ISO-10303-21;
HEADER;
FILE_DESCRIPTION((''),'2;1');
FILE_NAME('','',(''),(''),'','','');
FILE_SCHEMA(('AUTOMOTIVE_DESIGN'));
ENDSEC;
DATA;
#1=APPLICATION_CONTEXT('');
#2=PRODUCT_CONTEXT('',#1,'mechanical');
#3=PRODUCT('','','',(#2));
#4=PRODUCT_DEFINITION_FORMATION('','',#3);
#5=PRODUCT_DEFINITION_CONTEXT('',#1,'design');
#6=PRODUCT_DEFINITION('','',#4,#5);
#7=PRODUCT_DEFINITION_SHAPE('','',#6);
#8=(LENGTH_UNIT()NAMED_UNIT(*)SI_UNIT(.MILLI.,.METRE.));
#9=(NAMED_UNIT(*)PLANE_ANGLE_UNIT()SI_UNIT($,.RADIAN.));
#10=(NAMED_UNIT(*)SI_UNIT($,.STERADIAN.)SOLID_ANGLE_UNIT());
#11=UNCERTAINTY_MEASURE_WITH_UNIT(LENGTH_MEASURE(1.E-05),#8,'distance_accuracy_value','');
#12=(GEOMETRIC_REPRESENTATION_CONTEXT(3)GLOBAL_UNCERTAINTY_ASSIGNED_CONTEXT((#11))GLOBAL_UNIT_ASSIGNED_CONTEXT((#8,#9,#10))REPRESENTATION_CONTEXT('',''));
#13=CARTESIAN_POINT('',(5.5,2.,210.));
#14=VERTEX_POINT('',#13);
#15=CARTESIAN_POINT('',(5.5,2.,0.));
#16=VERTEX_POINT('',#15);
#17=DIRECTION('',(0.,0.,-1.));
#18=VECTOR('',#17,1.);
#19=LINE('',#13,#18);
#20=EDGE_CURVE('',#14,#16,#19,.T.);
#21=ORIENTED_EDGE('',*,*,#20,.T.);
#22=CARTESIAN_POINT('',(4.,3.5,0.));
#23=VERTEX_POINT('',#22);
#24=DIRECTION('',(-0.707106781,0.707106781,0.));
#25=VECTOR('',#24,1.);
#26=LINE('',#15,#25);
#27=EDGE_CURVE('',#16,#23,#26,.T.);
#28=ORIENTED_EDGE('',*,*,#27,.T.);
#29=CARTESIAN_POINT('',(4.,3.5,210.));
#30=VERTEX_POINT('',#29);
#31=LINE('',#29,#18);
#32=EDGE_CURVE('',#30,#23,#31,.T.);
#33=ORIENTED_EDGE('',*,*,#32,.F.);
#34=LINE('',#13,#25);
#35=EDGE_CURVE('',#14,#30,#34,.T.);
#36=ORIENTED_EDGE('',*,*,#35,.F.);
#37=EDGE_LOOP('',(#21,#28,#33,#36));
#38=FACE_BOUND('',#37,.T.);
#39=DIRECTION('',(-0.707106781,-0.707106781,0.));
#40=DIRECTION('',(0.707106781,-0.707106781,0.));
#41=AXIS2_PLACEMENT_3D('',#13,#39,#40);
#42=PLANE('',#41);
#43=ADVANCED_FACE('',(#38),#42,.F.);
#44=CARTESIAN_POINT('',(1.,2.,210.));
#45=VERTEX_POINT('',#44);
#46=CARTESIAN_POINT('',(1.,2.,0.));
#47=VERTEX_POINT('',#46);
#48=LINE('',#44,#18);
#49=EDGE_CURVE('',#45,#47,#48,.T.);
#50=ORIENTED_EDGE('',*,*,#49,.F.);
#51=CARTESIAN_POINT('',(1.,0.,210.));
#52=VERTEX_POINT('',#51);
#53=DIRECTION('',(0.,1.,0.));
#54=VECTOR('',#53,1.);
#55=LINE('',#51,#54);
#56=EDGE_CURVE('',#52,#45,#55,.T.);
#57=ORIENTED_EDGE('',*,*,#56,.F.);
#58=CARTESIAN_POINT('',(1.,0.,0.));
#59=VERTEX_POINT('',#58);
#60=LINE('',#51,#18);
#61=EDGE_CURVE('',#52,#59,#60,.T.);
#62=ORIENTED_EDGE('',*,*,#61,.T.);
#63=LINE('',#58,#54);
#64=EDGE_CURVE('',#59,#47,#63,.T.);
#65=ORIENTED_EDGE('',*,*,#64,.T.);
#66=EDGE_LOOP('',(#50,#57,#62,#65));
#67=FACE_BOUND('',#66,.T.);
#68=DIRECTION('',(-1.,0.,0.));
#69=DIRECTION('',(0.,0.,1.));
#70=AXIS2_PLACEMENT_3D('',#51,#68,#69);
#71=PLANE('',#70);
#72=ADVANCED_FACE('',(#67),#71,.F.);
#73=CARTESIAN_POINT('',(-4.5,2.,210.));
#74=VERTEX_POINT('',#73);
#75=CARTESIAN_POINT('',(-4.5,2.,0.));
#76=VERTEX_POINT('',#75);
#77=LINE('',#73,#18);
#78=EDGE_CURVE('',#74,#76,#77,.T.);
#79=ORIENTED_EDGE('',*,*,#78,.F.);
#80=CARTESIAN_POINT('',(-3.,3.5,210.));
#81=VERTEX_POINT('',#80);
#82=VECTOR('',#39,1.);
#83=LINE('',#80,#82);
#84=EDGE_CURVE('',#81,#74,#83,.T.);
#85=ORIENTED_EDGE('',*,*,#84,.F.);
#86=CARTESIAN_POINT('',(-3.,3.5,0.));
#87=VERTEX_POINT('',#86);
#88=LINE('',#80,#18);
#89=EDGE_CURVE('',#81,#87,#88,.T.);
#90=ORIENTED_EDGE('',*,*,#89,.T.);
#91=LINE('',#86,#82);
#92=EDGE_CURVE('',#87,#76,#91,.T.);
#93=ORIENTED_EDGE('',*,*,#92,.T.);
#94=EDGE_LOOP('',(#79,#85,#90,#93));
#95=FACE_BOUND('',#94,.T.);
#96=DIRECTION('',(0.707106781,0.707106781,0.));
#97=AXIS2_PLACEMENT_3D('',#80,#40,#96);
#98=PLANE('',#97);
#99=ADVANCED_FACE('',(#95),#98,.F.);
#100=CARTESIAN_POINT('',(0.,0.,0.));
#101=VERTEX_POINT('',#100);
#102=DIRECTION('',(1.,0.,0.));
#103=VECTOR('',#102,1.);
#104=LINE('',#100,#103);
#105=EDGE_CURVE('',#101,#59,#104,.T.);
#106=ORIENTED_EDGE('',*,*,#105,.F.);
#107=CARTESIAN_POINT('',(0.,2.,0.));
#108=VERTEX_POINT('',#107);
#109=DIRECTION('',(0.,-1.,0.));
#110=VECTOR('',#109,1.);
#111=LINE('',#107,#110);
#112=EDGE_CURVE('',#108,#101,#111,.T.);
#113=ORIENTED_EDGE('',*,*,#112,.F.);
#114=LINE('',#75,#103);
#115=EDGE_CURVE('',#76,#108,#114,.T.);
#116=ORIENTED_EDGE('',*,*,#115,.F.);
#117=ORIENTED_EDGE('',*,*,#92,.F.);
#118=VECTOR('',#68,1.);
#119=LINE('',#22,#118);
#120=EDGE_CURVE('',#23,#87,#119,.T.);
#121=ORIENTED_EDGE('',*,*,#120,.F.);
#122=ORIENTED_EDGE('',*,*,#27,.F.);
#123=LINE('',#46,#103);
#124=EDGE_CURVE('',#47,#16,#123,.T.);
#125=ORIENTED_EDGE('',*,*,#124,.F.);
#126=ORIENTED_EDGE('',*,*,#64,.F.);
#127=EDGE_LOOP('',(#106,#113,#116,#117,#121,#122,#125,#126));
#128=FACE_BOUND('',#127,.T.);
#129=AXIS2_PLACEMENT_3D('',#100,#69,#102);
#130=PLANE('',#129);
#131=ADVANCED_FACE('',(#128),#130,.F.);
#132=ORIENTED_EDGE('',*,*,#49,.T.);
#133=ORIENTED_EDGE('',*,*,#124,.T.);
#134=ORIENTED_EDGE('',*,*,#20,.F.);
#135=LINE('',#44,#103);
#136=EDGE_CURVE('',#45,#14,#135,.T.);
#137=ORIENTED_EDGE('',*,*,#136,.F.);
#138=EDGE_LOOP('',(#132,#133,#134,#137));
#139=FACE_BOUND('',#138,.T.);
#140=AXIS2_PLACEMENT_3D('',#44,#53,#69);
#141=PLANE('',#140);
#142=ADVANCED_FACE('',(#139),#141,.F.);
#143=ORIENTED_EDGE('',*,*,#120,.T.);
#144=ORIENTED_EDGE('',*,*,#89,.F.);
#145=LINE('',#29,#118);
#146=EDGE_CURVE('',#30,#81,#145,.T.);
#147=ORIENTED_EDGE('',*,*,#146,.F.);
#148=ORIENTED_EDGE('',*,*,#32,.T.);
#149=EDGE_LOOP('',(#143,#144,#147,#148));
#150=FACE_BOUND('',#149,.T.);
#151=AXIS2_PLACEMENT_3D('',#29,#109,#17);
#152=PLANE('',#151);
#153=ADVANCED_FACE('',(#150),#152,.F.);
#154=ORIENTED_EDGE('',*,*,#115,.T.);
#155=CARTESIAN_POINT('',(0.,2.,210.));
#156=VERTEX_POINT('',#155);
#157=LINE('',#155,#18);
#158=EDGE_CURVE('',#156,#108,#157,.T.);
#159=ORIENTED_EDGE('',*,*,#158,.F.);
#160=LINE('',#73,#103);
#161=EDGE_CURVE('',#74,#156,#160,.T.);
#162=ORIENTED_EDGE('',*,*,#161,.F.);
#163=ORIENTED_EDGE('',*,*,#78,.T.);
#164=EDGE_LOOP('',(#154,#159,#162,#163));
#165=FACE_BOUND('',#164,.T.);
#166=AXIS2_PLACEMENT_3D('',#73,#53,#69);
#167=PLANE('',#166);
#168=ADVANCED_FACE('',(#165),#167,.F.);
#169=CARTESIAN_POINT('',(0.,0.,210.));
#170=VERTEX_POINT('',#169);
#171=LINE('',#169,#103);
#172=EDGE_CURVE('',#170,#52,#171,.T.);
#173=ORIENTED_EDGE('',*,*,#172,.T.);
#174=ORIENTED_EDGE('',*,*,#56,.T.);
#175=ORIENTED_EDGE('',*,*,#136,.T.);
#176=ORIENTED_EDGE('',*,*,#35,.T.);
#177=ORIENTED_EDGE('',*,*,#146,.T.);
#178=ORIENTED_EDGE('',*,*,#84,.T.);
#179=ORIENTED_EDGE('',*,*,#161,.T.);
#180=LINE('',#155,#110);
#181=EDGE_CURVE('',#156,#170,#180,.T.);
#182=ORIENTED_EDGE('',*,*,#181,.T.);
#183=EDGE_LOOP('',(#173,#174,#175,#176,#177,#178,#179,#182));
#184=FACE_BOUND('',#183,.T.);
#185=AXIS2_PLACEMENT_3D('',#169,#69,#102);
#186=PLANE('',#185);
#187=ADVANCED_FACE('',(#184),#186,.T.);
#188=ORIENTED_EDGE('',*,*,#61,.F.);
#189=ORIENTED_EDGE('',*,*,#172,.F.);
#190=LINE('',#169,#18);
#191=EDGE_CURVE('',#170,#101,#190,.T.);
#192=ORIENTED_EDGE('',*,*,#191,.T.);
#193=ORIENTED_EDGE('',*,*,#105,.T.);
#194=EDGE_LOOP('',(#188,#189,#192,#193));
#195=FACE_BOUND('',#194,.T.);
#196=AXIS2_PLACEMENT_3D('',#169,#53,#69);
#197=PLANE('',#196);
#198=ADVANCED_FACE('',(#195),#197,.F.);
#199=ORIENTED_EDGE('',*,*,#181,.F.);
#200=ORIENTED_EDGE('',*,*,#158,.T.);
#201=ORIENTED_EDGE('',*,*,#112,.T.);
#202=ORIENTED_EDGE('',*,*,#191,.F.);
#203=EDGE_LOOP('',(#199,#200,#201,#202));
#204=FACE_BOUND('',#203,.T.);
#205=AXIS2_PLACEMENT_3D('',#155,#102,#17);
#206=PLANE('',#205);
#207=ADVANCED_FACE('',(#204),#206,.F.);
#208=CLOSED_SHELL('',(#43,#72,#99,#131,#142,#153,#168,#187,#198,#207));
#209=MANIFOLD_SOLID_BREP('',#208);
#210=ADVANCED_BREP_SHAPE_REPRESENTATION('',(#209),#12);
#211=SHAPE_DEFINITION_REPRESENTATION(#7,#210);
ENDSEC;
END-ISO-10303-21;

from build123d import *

# Parameters (mm, degrees)
COVER_CONNECTOR_DEPTH = 210


with BuildPart() as part:
    # Sketch1 → cover_connector (new body)
    with BuildSketch(Plane.XY):
        Polygon((0, 0), (1, 0), (1, 2), (5.5, 2), (4, 3.5), (-3, 3.5), (-4.5, 2), (0, 2), align=None)
    extrude(amount=COVER_CONNECTOR_DEPTH)


solid = part.part
